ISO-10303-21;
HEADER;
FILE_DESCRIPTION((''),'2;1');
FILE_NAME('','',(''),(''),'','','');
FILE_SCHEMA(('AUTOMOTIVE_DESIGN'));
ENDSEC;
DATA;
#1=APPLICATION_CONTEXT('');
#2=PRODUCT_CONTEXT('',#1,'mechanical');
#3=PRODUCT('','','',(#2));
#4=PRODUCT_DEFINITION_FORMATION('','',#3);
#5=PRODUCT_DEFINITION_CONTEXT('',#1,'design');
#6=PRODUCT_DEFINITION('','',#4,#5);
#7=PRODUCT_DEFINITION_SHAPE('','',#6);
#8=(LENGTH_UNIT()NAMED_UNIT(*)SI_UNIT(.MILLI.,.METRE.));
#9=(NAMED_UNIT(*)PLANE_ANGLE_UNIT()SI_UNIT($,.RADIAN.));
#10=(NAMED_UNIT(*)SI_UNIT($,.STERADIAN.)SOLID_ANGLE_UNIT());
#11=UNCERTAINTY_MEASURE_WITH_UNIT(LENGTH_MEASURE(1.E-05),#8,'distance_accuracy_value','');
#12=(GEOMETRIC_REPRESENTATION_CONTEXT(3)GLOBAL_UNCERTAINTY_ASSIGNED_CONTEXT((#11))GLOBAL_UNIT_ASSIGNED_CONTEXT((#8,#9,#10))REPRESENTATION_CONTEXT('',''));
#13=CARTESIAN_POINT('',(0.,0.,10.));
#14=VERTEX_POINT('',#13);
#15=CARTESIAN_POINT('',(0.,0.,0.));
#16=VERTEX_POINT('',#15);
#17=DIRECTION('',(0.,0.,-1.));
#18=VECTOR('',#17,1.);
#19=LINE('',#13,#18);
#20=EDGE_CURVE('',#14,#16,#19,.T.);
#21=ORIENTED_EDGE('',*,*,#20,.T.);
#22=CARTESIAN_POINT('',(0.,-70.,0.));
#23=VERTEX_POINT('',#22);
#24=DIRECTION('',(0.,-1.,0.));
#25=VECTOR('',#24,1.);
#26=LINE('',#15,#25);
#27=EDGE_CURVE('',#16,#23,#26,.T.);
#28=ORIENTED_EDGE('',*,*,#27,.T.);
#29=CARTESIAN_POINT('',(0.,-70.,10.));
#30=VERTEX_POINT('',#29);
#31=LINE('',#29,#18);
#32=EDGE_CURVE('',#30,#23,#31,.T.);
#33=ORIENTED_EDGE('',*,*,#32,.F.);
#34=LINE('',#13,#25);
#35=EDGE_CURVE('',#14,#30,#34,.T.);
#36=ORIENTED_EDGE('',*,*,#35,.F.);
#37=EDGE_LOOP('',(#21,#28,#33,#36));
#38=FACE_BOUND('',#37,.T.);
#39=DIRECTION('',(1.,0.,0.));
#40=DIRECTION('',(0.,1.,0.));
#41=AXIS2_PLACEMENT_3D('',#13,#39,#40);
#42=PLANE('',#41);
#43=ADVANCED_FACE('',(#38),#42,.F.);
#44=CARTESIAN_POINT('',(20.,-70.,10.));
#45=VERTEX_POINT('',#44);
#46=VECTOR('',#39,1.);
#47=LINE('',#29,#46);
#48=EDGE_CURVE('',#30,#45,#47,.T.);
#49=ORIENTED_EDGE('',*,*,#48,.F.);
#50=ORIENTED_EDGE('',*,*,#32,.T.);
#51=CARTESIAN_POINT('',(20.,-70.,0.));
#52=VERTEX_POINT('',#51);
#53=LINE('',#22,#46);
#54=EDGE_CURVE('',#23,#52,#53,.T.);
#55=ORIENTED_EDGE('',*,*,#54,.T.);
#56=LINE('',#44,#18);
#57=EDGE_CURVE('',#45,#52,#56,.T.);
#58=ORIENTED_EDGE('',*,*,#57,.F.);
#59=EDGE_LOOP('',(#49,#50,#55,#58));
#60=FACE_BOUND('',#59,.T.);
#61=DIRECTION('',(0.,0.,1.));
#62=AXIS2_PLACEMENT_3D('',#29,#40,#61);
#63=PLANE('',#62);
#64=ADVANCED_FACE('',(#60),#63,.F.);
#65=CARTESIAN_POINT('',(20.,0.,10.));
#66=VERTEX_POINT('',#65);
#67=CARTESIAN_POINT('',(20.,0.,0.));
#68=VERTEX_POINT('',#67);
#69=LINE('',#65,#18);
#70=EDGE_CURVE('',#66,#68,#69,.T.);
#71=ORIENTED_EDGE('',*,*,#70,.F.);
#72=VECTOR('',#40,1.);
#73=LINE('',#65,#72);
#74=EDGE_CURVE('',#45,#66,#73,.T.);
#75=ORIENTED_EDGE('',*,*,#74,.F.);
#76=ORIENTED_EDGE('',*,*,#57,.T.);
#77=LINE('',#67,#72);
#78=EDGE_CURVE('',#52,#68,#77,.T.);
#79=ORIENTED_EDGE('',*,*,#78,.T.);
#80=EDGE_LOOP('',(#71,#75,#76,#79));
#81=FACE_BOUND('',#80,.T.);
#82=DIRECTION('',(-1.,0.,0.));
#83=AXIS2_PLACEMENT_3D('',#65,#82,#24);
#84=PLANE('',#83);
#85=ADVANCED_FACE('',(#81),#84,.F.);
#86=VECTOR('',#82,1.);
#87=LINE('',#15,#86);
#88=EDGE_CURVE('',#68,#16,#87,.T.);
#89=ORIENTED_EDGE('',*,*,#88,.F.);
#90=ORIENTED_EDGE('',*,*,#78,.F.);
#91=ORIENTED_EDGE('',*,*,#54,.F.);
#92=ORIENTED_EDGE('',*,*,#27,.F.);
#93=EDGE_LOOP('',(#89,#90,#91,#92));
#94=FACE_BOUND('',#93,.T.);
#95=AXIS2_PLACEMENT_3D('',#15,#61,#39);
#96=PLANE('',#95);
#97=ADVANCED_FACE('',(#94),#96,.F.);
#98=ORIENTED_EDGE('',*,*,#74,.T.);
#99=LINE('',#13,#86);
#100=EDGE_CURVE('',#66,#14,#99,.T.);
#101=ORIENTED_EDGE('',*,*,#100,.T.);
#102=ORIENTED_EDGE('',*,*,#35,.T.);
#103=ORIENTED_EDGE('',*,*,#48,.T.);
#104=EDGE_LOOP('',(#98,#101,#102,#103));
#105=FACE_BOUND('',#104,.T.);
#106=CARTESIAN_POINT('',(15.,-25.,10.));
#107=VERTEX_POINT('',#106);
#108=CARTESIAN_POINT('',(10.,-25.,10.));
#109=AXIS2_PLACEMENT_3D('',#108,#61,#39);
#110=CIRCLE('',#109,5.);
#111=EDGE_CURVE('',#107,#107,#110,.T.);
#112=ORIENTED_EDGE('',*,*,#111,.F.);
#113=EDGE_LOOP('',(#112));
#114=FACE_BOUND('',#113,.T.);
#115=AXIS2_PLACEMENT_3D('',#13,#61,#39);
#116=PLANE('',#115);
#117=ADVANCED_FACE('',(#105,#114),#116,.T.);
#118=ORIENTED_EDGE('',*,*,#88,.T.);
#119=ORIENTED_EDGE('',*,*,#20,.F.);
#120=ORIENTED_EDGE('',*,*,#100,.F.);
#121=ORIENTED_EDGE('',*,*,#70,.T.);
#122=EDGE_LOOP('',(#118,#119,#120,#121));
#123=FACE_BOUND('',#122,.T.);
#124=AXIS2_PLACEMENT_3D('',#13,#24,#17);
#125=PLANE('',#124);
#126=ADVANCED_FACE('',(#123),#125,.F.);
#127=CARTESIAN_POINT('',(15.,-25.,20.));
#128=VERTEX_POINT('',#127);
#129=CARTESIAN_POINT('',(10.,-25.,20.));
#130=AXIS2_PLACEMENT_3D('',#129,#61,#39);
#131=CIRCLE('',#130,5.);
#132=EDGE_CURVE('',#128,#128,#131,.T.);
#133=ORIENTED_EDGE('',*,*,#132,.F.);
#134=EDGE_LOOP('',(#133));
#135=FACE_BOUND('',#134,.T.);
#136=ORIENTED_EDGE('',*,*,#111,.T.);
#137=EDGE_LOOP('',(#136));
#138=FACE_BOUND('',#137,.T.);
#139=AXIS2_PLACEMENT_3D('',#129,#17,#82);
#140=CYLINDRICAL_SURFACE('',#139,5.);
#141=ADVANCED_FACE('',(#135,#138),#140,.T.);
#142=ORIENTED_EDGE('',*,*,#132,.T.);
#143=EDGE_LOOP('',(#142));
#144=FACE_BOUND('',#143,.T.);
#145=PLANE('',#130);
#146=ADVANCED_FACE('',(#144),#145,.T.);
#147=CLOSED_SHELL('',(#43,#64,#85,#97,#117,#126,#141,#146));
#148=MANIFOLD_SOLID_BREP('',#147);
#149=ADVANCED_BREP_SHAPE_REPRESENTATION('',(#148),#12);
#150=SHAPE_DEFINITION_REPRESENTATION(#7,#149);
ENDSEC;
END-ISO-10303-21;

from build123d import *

# Parameters (mm, degrees)
SKETCH_1_W      = 20
SKETCH_1_H      = 70
EXTRUDE_1_DEPTH = 10
SKETCH_2_R      = 5
EXTRUDE_2_DEPTH = 10


with BuildPart() as part:
    # 草图1 → 凸台-拉伸1 (new body)
    with BuildSketch(Plane.XY):
        with Locations((10, -35)):
            Rectangle(SKETCH_1_W, SKETCH_1_H)
    extrude(amount=EXTRUDE_1_DEPTH)

    # 草图2 → 凸台-拉伸2 (add)
    with BuildSketch(Plane.XY.offset(10)):
        with Locations((10, -25)):
            Circle(SKETCH_2_R)
    extrude(amount=EXTRUDE_2_DEPTH)


solid = part.part
